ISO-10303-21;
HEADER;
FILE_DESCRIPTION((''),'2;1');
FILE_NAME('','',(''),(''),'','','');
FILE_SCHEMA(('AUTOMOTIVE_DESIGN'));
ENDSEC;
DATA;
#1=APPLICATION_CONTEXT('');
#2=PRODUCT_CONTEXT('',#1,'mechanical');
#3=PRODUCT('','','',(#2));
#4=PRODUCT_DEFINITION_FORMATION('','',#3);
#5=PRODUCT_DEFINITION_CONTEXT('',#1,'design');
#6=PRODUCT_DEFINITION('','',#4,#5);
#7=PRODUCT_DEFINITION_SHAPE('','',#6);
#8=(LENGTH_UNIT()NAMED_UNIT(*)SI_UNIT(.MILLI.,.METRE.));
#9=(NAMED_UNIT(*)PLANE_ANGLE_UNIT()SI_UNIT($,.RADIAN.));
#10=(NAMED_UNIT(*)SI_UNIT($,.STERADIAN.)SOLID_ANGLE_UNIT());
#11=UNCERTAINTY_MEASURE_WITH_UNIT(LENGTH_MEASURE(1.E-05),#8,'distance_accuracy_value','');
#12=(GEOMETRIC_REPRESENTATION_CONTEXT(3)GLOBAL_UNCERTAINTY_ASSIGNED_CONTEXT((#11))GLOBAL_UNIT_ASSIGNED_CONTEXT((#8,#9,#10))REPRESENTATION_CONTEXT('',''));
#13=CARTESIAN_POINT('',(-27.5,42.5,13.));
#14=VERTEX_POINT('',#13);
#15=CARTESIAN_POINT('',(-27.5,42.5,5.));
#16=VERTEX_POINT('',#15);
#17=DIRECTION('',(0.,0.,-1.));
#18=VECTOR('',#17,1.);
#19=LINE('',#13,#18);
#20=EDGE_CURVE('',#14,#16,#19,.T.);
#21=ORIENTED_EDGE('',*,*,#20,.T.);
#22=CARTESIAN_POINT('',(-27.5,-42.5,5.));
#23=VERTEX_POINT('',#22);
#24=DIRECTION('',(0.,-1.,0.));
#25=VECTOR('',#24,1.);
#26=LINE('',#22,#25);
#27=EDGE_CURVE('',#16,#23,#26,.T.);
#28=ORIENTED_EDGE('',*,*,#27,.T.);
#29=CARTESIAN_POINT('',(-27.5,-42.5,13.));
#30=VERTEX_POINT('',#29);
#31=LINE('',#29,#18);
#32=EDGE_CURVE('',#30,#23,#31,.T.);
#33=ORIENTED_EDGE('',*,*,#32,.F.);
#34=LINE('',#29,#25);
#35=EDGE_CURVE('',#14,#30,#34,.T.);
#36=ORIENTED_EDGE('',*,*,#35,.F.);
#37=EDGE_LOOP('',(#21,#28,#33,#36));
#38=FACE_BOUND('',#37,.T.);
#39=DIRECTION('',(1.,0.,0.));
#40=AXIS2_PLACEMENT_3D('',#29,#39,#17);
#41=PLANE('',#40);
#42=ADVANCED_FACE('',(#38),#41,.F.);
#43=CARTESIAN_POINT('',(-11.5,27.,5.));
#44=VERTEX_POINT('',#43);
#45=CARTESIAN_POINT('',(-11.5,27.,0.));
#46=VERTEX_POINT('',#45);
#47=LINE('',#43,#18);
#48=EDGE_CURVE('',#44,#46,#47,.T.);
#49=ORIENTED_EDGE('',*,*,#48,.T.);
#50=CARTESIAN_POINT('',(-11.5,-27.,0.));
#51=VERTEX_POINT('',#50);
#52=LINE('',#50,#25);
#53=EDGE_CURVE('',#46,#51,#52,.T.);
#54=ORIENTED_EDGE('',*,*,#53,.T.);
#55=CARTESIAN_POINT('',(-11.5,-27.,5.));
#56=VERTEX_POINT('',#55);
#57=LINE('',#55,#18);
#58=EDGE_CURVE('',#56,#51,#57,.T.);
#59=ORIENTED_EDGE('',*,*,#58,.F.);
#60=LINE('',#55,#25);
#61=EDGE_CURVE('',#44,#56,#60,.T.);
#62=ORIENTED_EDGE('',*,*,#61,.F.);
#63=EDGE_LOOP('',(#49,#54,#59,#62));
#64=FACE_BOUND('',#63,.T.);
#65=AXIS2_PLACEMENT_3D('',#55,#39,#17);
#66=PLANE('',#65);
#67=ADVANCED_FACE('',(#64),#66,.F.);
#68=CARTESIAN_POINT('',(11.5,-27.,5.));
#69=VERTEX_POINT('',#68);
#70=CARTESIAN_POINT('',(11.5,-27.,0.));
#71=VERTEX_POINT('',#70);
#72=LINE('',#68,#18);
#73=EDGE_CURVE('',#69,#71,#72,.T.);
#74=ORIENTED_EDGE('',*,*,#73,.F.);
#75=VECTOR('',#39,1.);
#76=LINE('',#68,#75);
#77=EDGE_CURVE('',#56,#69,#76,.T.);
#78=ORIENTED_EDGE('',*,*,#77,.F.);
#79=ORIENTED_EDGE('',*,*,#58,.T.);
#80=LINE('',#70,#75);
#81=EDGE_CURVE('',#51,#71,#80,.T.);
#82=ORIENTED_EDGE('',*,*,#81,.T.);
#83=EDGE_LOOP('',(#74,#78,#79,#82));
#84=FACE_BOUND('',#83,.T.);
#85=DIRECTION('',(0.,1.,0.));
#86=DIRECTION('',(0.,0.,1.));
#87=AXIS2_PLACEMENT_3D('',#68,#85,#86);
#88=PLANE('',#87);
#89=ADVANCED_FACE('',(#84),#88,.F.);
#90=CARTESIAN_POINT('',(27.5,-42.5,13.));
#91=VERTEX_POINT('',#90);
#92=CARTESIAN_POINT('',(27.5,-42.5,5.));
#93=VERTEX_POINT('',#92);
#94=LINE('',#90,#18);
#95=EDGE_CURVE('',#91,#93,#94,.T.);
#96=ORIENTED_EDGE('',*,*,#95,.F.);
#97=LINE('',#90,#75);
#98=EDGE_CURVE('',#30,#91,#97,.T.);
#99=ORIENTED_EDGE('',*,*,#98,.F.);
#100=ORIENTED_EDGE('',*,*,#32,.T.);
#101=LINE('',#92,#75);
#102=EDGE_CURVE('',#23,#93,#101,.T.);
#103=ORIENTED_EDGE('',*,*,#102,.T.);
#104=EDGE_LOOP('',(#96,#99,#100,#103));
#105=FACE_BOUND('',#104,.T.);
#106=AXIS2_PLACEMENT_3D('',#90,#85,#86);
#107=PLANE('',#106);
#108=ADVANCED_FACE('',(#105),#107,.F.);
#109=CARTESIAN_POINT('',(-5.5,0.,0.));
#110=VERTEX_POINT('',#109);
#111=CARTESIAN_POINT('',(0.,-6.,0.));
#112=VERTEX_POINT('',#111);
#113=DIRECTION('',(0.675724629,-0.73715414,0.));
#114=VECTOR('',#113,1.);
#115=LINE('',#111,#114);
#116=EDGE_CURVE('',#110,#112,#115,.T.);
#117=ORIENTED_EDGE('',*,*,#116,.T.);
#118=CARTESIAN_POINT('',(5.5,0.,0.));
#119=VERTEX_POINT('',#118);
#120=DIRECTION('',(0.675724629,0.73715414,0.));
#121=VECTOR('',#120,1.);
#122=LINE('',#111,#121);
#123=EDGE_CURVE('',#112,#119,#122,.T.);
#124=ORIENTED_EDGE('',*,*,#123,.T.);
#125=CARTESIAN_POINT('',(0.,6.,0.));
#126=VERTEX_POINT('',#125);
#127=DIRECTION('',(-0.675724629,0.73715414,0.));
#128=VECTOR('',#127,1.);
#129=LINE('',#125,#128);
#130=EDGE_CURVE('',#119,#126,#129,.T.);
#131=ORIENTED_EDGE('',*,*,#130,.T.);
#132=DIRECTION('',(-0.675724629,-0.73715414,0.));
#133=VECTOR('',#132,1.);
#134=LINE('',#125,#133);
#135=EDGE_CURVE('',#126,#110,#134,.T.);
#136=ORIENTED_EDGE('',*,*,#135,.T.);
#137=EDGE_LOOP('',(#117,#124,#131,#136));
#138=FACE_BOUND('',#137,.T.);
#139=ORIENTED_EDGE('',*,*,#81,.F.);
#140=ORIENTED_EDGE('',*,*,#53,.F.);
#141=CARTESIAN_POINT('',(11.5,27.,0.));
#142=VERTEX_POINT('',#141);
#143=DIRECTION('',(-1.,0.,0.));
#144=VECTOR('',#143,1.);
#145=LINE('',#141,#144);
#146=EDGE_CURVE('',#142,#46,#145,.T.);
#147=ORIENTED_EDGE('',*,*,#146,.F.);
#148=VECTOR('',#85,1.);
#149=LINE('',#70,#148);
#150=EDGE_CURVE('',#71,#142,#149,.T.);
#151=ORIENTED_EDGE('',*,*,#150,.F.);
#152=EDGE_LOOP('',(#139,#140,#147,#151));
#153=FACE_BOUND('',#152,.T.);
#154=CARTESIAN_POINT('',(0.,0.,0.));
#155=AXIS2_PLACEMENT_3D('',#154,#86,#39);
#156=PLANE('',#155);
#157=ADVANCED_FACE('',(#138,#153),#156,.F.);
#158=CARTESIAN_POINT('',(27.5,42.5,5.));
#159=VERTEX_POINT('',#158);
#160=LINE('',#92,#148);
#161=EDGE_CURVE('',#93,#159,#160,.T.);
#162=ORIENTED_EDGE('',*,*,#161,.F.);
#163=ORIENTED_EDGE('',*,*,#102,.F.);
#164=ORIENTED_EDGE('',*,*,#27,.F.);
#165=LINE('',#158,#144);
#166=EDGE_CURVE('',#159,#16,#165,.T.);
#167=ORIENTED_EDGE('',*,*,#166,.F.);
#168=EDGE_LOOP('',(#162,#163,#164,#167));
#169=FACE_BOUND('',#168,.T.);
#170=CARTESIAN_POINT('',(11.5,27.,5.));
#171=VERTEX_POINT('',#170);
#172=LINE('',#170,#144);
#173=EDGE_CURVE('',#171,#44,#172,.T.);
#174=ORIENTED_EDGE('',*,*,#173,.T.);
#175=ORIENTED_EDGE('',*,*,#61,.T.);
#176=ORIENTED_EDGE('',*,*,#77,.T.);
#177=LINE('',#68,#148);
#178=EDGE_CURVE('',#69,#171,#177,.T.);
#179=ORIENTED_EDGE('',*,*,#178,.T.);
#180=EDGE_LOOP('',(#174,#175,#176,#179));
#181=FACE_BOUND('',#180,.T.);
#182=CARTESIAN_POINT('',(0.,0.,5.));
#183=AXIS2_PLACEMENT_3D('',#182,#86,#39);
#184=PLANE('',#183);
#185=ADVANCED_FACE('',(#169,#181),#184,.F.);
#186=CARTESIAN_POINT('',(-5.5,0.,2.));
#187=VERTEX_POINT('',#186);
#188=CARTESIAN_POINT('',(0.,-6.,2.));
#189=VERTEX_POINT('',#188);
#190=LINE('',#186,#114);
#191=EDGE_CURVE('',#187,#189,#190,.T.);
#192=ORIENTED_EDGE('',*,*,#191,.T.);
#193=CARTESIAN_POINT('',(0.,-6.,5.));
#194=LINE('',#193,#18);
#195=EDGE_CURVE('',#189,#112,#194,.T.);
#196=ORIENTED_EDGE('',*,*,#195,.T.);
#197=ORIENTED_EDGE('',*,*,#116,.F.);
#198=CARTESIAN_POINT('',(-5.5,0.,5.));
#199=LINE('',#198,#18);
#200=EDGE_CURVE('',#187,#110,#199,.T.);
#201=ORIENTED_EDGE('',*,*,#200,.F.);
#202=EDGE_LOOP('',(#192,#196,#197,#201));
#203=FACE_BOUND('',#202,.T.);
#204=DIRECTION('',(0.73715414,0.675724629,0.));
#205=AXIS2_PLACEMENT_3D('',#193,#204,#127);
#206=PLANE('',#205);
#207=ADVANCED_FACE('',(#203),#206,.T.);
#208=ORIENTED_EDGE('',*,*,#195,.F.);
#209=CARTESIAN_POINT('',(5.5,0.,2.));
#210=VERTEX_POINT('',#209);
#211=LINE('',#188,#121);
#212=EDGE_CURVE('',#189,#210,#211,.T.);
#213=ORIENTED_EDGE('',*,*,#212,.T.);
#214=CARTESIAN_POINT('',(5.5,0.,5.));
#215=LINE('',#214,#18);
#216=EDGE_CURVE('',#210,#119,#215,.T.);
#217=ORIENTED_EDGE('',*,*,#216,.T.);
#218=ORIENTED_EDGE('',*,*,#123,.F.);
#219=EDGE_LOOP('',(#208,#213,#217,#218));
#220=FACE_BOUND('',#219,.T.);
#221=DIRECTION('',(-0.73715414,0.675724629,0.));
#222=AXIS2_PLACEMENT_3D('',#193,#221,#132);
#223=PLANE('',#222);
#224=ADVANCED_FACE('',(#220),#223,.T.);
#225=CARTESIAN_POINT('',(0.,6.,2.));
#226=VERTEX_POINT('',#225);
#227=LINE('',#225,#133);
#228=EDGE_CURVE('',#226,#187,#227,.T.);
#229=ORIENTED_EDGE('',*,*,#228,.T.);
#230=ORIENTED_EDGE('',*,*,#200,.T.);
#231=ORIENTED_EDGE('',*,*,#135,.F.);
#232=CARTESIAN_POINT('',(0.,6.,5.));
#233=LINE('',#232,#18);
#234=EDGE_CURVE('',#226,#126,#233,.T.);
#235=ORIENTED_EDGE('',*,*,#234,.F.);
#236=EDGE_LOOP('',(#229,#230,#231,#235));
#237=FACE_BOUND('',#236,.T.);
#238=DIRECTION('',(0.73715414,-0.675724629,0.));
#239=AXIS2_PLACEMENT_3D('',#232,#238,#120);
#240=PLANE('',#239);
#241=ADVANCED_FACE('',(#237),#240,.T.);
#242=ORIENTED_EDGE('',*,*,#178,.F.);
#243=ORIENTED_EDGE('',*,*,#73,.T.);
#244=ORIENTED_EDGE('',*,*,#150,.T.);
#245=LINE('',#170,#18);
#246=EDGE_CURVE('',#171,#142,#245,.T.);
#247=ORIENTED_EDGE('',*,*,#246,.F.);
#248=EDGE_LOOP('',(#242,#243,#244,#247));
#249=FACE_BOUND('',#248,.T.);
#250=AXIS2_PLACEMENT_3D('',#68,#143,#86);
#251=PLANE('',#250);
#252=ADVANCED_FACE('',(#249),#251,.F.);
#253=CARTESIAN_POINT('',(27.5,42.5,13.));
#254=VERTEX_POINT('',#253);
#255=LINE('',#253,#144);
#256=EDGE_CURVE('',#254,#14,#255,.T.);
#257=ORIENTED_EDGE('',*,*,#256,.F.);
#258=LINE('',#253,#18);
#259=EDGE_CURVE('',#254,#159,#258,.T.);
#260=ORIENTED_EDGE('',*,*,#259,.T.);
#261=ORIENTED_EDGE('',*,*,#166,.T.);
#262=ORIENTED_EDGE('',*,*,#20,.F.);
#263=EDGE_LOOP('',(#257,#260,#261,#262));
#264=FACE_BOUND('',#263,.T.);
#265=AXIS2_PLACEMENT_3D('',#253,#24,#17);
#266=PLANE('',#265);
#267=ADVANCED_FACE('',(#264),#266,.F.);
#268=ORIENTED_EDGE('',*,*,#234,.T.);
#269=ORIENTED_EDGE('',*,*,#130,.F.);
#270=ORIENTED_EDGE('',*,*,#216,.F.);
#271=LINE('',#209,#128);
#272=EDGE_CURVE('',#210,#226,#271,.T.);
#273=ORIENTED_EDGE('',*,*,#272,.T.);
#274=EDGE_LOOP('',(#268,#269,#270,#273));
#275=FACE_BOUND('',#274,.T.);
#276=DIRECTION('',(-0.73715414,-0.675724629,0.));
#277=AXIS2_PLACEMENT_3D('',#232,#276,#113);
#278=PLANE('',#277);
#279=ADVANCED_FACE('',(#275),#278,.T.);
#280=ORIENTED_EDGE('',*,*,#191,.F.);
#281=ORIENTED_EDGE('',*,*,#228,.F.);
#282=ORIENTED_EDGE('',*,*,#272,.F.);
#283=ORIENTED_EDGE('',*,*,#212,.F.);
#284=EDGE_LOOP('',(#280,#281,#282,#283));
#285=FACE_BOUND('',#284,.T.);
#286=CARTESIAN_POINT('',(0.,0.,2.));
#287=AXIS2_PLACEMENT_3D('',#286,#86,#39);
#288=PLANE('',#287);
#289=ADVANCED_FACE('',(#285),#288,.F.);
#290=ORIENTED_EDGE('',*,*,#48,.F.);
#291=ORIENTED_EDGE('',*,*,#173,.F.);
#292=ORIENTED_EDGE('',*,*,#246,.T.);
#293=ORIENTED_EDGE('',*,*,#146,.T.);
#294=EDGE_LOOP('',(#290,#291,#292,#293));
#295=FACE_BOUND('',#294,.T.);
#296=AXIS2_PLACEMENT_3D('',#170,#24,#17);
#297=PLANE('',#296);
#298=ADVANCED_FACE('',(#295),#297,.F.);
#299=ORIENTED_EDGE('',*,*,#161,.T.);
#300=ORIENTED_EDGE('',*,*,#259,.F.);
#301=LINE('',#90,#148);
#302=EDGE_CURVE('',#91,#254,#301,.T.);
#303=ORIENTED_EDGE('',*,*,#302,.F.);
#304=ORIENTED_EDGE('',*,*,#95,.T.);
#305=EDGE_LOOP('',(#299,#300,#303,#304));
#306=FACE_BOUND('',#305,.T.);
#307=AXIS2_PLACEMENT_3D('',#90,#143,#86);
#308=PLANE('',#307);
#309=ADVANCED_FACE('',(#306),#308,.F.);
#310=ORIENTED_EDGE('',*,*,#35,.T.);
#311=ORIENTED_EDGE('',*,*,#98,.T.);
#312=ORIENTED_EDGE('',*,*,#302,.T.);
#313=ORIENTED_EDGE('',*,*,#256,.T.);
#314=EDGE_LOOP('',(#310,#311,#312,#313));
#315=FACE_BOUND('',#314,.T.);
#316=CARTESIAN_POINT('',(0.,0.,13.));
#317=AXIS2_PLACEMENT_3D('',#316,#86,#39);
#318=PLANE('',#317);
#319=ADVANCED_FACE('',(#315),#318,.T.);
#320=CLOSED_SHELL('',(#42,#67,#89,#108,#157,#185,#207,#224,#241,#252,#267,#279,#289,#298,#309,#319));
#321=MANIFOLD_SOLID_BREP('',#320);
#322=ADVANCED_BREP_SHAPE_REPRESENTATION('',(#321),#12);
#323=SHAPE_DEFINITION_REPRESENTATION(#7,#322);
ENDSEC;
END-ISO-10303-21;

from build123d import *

# Parameters (mm, degrees)
SKETCH_1_W      = 23
SKETCH_1_H      = 54
EXTRUDE_1_DEPTH = 5
EXTRUDE_2_DEPTH = 3
SKETCH_3_W      = 55
SKETCH_3_H      = 85
EXTRUDE_3_DEPTH = 8


with BuildPart() as part:
    # 草图1 → 凸台-拉伸1 (new body)
    with BuildSketch(Plane.XY):
        Rectangle(SKETCH_1_W, SKETCH_1_H)
        Polygon((0, 6), (-5.5, 0), (0, -6), (5.5, 0), align=None, mode=Mode.SUBTRACT)
    extrude(amount=EXTRUDE_1_DEPTH)

    # 草图2 → 凸台-拉伸2 (add)
    with BuildSketch(Plane.XY.offset(5)):
        Polygon((0, -6), (5.5, 0), (0, 6), (-5.5, 0), align=None)
    extrude(amount=-EXTRUDE_2_DEPTH)

    # 草图3 → 凸台-拉伸3 (add)
    with BuildSketch(Plane.XY.offset(5)):
        Rectangle(SKETCH_3_W, SKETCH_3_H)
    extrude(amount=EXTRUDE_3_DEPTH)


solid = part.part
